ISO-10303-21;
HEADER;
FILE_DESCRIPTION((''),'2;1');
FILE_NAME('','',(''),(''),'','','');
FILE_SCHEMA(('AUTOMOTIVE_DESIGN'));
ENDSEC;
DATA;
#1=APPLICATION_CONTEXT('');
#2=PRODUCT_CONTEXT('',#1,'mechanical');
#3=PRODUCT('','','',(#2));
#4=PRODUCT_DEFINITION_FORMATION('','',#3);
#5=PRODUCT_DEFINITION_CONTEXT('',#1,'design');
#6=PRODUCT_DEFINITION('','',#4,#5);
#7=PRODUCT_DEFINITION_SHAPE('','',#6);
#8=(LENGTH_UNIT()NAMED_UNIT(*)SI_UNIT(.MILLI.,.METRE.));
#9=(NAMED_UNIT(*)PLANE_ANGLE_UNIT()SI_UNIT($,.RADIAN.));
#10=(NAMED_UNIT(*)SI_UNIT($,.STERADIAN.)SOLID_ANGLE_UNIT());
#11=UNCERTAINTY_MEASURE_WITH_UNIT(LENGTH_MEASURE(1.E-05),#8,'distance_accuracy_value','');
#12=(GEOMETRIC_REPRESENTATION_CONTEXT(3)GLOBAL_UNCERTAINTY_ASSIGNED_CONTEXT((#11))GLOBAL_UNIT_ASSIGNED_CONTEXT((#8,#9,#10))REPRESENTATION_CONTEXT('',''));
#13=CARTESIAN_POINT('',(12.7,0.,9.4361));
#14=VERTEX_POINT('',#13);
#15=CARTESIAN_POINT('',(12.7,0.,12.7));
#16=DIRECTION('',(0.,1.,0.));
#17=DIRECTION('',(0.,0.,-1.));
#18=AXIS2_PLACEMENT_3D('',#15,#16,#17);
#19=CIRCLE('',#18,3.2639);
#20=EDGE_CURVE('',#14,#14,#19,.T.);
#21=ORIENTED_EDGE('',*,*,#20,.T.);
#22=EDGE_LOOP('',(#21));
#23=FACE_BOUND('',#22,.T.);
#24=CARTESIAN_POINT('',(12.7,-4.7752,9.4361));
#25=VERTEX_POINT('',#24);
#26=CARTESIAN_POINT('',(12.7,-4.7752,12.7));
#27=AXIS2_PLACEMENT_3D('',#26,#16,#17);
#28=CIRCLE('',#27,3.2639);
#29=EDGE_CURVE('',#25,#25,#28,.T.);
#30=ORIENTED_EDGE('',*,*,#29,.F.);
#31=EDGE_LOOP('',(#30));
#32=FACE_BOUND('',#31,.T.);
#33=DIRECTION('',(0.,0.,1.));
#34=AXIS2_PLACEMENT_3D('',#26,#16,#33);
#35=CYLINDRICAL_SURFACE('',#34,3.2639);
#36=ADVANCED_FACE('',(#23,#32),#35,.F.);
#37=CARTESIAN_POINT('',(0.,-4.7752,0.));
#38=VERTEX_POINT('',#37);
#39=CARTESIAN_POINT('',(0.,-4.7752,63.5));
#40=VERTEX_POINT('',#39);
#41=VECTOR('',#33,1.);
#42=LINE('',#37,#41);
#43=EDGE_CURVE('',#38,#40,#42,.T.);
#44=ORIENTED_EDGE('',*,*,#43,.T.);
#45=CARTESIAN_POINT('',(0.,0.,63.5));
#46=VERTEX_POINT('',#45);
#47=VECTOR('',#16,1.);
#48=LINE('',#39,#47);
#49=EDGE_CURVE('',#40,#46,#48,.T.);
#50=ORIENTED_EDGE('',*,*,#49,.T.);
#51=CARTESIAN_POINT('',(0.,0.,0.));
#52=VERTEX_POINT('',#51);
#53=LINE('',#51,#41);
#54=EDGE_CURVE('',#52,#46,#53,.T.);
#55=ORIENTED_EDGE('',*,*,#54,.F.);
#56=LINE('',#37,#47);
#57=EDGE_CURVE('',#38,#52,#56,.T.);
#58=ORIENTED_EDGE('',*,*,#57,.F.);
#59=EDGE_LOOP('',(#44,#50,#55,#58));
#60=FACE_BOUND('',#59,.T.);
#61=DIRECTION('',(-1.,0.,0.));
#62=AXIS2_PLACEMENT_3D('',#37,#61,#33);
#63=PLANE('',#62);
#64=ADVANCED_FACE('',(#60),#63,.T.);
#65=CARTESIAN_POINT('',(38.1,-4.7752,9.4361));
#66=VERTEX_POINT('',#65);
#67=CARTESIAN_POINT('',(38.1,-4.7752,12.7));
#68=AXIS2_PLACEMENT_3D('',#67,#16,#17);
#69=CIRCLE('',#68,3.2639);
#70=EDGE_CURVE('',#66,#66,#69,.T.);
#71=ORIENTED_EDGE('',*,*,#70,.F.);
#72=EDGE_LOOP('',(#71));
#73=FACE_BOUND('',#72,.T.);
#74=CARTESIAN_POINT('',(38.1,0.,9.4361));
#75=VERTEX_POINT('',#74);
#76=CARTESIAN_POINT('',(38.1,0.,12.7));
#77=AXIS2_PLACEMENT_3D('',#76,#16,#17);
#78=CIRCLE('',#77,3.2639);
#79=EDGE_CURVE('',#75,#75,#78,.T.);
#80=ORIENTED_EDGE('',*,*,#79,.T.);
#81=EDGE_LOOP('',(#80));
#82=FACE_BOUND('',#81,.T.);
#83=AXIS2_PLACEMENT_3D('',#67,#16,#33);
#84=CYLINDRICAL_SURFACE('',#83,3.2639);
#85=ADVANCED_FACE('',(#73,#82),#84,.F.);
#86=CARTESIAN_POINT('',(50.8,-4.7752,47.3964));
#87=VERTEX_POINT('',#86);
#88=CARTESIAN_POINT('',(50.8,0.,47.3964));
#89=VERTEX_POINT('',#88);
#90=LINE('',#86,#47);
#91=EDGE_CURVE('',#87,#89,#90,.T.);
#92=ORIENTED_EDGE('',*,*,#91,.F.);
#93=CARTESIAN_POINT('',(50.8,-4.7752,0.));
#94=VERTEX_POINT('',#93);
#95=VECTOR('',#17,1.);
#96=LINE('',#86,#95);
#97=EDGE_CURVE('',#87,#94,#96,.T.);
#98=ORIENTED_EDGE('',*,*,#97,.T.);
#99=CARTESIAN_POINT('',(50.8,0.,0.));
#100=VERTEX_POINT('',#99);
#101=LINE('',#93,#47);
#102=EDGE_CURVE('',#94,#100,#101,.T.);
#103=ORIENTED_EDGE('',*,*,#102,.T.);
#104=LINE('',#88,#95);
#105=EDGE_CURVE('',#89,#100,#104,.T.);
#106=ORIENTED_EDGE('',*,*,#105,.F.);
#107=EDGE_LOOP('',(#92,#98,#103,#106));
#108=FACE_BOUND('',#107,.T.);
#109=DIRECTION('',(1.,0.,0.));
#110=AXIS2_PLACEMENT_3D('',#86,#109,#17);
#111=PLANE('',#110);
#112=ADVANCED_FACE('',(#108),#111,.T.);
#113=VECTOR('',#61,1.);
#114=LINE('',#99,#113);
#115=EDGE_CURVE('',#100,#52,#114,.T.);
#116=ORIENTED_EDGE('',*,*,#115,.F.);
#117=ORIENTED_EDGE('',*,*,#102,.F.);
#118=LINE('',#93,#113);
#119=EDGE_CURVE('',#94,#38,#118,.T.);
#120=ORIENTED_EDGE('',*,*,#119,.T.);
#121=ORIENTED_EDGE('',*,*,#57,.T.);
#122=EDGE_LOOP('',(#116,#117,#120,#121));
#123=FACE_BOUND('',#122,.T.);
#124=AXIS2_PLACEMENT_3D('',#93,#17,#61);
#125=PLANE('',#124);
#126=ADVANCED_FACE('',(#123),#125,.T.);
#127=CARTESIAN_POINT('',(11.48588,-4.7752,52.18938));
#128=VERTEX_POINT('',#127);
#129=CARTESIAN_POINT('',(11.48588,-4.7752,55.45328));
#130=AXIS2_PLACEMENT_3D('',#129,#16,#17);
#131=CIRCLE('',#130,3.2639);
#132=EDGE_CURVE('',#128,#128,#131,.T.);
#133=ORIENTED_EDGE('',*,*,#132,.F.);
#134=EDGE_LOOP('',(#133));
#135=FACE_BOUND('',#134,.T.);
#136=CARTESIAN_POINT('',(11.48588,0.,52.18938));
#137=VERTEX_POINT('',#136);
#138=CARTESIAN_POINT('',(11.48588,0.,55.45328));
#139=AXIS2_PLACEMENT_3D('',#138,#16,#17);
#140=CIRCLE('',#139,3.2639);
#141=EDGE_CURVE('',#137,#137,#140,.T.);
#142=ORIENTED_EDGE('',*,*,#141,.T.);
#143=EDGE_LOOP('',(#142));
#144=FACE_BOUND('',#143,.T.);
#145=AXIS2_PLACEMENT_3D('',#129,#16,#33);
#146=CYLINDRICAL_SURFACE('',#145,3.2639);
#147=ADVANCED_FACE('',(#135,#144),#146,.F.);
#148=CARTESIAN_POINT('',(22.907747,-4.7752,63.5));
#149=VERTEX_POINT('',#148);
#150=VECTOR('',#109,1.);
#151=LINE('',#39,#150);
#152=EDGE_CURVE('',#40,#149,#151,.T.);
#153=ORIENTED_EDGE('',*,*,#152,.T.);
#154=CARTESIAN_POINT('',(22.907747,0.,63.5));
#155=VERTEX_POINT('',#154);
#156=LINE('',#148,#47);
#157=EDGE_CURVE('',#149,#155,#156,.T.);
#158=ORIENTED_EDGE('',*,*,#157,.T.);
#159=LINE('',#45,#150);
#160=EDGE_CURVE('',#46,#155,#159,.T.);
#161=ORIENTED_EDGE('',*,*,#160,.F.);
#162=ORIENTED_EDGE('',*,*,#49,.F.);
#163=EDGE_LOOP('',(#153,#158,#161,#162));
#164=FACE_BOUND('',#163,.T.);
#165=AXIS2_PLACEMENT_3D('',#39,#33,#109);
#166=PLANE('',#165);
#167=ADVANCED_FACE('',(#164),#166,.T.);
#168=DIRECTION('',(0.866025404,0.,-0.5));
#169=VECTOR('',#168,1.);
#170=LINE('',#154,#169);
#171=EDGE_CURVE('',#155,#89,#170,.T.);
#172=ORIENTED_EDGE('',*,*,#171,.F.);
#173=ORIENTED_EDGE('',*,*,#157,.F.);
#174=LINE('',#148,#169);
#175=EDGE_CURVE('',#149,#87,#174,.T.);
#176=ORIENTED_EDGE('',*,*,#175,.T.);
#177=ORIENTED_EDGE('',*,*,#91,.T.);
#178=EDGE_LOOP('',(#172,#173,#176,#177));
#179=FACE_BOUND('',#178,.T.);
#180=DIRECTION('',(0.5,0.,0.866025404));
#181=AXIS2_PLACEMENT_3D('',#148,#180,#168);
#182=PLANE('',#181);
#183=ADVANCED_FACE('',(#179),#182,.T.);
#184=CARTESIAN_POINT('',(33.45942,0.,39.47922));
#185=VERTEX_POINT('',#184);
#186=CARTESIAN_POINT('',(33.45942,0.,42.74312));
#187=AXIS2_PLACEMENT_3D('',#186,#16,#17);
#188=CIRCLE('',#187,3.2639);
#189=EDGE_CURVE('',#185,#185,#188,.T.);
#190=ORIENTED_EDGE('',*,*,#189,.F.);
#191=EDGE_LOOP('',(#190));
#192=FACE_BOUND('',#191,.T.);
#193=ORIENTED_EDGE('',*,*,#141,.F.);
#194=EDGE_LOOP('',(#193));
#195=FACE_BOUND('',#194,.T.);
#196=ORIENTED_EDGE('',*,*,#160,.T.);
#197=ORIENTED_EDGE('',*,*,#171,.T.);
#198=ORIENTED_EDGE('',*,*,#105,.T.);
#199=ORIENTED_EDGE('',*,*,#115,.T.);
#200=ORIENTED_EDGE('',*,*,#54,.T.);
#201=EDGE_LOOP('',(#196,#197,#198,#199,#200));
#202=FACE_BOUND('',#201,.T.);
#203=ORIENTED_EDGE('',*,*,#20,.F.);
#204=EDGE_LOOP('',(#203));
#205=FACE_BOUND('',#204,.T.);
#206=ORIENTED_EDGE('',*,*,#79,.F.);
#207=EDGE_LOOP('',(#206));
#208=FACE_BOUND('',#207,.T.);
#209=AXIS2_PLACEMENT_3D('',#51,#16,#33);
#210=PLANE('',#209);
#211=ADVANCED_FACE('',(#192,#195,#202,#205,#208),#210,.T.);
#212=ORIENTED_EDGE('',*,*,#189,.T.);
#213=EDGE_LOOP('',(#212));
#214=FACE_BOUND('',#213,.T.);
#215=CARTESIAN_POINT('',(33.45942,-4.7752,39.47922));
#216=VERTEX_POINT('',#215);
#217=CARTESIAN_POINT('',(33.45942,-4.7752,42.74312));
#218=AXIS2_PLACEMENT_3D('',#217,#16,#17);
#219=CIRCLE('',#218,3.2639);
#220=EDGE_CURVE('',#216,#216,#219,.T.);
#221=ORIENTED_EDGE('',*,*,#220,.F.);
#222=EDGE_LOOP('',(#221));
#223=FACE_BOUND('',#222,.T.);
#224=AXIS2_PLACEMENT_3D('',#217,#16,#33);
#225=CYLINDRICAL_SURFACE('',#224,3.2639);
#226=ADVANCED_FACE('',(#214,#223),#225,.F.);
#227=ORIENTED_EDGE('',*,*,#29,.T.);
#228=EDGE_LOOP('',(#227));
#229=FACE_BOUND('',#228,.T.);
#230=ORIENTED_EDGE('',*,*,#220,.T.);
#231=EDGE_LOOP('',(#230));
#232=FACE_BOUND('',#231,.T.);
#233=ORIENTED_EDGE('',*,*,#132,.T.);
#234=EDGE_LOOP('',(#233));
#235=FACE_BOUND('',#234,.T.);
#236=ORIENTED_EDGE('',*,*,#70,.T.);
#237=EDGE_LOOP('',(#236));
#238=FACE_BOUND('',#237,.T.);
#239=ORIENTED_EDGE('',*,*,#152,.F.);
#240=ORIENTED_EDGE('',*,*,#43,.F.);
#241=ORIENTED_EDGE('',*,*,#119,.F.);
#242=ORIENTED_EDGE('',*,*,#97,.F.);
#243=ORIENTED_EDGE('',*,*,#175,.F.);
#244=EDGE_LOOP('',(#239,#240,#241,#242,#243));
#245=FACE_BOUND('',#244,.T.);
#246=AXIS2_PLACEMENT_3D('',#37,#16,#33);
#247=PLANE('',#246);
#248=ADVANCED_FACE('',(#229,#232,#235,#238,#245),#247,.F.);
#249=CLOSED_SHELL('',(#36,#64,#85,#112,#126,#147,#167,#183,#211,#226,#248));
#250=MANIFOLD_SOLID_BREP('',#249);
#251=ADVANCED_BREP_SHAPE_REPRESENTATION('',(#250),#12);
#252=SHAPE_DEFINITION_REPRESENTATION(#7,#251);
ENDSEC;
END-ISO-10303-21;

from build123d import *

# Parameters (mm, degrees)
SKETCH1_R           = 3.2639
BOSS_EXTRUDE1_DEPTH = 4.7752


with BuildPart() as part:
    # Sketch1 (on Top Plane) → Boss-Extrude1 (new body)
    with BuildSketch(Plane(origin=(0, 0, 0), x_dir=(1, 0, 0), z_dir=(0, 1, 0))):
        Polygon((50.8, -47.3964), (50.8, 0), (0, 0), (0, -63.5), (22.907746615, -63.5), align=None)
        with Locations(Location((11.48588, -55.45328, 0), (0, 0, 90))):
            Circle(SKETCH1_R, mode=Mode.SUBTRACT)
        with Locations(Location((33.45942, -42.74312, 0), (0, 0, 90))):
            Circle(SKETCH1_R, mode=Mode.SUBTRACT)
        with Locations(Location((38.1, -12.7, 0), (0, 0, 90))):
            Circle(SKETCH1_R, mode=Mode.SUBTRACT)
        with Locations(Location((12.7, -12.7, 0), (0, 0, 90))):
            Circle(SKETCH1_R, mode=Mode.SUBTRACT)
    extrude(amount=-BOSS_EXTRUDE1_DEPTH)


solid = part.part
